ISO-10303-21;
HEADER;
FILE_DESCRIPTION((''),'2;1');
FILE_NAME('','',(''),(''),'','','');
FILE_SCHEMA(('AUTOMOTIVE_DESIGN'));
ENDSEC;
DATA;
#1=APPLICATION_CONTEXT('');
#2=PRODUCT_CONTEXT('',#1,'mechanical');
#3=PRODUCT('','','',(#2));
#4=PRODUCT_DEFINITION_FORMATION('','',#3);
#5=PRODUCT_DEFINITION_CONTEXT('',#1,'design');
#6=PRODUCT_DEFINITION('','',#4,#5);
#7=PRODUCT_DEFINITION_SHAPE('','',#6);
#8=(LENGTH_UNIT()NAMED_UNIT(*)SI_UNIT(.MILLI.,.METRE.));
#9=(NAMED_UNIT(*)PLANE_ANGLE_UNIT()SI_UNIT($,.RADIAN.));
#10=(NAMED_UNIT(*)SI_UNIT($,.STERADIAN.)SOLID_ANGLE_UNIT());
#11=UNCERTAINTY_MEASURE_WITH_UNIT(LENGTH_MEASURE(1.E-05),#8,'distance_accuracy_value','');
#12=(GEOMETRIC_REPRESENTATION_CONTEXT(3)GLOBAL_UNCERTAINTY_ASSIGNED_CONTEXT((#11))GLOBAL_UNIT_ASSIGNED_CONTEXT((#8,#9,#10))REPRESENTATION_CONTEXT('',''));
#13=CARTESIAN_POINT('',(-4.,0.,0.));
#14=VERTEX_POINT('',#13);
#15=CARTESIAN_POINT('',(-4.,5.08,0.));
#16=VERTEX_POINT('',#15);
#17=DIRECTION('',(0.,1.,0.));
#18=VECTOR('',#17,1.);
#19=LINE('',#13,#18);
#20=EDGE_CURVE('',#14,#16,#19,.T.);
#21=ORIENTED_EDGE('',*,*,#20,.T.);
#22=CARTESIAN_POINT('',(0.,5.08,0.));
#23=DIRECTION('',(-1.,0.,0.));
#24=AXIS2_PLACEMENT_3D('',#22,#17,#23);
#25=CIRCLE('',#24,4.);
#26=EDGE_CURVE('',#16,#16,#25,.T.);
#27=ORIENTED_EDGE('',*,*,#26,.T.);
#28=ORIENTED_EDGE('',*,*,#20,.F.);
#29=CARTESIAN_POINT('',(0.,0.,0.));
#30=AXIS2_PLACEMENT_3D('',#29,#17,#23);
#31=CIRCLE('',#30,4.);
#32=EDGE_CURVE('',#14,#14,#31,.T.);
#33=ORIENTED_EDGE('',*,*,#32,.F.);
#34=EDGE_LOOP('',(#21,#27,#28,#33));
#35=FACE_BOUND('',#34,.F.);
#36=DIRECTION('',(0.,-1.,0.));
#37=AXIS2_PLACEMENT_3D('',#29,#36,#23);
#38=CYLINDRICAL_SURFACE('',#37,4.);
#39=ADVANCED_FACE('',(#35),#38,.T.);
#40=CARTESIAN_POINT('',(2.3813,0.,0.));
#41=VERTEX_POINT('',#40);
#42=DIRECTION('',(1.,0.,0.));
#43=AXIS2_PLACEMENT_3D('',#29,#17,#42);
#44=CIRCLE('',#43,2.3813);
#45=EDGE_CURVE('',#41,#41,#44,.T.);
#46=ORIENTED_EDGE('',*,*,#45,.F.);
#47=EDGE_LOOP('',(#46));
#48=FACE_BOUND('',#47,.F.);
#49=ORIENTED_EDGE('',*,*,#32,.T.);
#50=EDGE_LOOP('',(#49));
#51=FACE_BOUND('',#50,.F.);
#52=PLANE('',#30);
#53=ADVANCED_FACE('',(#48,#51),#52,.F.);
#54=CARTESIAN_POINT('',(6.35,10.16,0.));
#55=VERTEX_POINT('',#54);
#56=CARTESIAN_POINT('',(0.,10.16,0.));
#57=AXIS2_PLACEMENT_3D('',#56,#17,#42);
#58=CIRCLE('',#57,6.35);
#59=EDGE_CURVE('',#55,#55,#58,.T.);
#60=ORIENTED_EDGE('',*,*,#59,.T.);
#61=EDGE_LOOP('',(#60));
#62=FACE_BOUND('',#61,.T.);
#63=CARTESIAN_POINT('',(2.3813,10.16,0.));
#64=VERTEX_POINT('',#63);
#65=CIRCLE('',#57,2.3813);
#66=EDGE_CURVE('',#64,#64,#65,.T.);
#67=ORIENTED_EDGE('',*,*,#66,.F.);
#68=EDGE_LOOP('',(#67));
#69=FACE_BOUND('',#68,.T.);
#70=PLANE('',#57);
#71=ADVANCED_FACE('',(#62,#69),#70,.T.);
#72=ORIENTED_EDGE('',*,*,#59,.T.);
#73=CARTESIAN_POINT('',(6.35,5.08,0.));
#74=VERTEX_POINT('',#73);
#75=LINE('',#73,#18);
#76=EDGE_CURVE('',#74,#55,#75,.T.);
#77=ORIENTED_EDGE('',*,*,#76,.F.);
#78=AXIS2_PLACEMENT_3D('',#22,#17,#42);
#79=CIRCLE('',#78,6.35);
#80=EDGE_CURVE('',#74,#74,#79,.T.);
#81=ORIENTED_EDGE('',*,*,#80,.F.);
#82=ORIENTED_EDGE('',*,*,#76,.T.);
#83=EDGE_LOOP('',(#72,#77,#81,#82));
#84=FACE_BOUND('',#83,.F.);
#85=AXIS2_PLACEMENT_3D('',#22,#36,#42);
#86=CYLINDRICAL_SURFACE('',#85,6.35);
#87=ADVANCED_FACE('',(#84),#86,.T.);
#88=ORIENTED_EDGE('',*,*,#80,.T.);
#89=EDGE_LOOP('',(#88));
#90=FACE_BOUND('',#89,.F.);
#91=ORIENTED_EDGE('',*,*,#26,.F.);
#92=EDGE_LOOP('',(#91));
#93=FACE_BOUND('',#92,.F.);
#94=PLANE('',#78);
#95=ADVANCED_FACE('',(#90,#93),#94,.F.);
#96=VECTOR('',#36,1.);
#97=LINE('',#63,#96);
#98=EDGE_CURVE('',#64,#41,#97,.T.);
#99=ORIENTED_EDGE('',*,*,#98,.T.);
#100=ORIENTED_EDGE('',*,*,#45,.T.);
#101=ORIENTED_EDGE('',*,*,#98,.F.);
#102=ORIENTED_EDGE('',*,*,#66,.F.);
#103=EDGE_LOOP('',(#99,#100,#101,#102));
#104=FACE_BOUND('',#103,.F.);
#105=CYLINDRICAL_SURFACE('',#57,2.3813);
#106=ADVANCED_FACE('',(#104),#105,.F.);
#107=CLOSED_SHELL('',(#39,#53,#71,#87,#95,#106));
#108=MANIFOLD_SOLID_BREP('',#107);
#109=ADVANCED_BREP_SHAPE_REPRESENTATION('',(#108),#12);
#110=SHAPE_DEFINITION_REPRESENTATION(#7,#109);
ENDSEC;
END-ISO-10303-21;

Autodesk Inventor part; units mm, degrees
ref_plane "YZ Plane" through (0, 0, 0) normal (1, 0, 0) x (0, 1, 0)
ref_plane "XZ Plane" through (0, 0, 0) normal (0, 1, 0) x (-1, 0, 0)
ref_plane "XY Plane" through (0, 0, 0) normal (0, 0, 1) x (1, 0, 0)
sketch "Sketch1" plane through (0, 0, 0) normal (0, 1, 0) x (-1, 0, 0)
  circle A0 centre (0, 0) radius 4
  dimension "d0" = 8
extrude "Extrusion1" add sketch "Sketch1" along normal blind 5.08
sketch "Sketch2" plane through (0, 5.08, 0) normal (0, 1, 0) x (1, 0, 0)
  circle A0 centre (0, 0) radius 6.35
  dimension "d3" = 12.7
extrude "Extrusion2" add sketch "Sketch2" along normal blind 5.08
sketch "Sketch3" plane through (0, 10.16, 0) normal (0, 1, 0) x (1, 0, 0)
  circle A0 centre (0, 0) radius 2.3813 projected
  circle A1 centre (0, 0) radius 2.3813
  point P0 (0, 0)
extrude "Extrusion3" cut sketch "Sketch3" against normal through all
properties part number "Shaft_Adapter"
